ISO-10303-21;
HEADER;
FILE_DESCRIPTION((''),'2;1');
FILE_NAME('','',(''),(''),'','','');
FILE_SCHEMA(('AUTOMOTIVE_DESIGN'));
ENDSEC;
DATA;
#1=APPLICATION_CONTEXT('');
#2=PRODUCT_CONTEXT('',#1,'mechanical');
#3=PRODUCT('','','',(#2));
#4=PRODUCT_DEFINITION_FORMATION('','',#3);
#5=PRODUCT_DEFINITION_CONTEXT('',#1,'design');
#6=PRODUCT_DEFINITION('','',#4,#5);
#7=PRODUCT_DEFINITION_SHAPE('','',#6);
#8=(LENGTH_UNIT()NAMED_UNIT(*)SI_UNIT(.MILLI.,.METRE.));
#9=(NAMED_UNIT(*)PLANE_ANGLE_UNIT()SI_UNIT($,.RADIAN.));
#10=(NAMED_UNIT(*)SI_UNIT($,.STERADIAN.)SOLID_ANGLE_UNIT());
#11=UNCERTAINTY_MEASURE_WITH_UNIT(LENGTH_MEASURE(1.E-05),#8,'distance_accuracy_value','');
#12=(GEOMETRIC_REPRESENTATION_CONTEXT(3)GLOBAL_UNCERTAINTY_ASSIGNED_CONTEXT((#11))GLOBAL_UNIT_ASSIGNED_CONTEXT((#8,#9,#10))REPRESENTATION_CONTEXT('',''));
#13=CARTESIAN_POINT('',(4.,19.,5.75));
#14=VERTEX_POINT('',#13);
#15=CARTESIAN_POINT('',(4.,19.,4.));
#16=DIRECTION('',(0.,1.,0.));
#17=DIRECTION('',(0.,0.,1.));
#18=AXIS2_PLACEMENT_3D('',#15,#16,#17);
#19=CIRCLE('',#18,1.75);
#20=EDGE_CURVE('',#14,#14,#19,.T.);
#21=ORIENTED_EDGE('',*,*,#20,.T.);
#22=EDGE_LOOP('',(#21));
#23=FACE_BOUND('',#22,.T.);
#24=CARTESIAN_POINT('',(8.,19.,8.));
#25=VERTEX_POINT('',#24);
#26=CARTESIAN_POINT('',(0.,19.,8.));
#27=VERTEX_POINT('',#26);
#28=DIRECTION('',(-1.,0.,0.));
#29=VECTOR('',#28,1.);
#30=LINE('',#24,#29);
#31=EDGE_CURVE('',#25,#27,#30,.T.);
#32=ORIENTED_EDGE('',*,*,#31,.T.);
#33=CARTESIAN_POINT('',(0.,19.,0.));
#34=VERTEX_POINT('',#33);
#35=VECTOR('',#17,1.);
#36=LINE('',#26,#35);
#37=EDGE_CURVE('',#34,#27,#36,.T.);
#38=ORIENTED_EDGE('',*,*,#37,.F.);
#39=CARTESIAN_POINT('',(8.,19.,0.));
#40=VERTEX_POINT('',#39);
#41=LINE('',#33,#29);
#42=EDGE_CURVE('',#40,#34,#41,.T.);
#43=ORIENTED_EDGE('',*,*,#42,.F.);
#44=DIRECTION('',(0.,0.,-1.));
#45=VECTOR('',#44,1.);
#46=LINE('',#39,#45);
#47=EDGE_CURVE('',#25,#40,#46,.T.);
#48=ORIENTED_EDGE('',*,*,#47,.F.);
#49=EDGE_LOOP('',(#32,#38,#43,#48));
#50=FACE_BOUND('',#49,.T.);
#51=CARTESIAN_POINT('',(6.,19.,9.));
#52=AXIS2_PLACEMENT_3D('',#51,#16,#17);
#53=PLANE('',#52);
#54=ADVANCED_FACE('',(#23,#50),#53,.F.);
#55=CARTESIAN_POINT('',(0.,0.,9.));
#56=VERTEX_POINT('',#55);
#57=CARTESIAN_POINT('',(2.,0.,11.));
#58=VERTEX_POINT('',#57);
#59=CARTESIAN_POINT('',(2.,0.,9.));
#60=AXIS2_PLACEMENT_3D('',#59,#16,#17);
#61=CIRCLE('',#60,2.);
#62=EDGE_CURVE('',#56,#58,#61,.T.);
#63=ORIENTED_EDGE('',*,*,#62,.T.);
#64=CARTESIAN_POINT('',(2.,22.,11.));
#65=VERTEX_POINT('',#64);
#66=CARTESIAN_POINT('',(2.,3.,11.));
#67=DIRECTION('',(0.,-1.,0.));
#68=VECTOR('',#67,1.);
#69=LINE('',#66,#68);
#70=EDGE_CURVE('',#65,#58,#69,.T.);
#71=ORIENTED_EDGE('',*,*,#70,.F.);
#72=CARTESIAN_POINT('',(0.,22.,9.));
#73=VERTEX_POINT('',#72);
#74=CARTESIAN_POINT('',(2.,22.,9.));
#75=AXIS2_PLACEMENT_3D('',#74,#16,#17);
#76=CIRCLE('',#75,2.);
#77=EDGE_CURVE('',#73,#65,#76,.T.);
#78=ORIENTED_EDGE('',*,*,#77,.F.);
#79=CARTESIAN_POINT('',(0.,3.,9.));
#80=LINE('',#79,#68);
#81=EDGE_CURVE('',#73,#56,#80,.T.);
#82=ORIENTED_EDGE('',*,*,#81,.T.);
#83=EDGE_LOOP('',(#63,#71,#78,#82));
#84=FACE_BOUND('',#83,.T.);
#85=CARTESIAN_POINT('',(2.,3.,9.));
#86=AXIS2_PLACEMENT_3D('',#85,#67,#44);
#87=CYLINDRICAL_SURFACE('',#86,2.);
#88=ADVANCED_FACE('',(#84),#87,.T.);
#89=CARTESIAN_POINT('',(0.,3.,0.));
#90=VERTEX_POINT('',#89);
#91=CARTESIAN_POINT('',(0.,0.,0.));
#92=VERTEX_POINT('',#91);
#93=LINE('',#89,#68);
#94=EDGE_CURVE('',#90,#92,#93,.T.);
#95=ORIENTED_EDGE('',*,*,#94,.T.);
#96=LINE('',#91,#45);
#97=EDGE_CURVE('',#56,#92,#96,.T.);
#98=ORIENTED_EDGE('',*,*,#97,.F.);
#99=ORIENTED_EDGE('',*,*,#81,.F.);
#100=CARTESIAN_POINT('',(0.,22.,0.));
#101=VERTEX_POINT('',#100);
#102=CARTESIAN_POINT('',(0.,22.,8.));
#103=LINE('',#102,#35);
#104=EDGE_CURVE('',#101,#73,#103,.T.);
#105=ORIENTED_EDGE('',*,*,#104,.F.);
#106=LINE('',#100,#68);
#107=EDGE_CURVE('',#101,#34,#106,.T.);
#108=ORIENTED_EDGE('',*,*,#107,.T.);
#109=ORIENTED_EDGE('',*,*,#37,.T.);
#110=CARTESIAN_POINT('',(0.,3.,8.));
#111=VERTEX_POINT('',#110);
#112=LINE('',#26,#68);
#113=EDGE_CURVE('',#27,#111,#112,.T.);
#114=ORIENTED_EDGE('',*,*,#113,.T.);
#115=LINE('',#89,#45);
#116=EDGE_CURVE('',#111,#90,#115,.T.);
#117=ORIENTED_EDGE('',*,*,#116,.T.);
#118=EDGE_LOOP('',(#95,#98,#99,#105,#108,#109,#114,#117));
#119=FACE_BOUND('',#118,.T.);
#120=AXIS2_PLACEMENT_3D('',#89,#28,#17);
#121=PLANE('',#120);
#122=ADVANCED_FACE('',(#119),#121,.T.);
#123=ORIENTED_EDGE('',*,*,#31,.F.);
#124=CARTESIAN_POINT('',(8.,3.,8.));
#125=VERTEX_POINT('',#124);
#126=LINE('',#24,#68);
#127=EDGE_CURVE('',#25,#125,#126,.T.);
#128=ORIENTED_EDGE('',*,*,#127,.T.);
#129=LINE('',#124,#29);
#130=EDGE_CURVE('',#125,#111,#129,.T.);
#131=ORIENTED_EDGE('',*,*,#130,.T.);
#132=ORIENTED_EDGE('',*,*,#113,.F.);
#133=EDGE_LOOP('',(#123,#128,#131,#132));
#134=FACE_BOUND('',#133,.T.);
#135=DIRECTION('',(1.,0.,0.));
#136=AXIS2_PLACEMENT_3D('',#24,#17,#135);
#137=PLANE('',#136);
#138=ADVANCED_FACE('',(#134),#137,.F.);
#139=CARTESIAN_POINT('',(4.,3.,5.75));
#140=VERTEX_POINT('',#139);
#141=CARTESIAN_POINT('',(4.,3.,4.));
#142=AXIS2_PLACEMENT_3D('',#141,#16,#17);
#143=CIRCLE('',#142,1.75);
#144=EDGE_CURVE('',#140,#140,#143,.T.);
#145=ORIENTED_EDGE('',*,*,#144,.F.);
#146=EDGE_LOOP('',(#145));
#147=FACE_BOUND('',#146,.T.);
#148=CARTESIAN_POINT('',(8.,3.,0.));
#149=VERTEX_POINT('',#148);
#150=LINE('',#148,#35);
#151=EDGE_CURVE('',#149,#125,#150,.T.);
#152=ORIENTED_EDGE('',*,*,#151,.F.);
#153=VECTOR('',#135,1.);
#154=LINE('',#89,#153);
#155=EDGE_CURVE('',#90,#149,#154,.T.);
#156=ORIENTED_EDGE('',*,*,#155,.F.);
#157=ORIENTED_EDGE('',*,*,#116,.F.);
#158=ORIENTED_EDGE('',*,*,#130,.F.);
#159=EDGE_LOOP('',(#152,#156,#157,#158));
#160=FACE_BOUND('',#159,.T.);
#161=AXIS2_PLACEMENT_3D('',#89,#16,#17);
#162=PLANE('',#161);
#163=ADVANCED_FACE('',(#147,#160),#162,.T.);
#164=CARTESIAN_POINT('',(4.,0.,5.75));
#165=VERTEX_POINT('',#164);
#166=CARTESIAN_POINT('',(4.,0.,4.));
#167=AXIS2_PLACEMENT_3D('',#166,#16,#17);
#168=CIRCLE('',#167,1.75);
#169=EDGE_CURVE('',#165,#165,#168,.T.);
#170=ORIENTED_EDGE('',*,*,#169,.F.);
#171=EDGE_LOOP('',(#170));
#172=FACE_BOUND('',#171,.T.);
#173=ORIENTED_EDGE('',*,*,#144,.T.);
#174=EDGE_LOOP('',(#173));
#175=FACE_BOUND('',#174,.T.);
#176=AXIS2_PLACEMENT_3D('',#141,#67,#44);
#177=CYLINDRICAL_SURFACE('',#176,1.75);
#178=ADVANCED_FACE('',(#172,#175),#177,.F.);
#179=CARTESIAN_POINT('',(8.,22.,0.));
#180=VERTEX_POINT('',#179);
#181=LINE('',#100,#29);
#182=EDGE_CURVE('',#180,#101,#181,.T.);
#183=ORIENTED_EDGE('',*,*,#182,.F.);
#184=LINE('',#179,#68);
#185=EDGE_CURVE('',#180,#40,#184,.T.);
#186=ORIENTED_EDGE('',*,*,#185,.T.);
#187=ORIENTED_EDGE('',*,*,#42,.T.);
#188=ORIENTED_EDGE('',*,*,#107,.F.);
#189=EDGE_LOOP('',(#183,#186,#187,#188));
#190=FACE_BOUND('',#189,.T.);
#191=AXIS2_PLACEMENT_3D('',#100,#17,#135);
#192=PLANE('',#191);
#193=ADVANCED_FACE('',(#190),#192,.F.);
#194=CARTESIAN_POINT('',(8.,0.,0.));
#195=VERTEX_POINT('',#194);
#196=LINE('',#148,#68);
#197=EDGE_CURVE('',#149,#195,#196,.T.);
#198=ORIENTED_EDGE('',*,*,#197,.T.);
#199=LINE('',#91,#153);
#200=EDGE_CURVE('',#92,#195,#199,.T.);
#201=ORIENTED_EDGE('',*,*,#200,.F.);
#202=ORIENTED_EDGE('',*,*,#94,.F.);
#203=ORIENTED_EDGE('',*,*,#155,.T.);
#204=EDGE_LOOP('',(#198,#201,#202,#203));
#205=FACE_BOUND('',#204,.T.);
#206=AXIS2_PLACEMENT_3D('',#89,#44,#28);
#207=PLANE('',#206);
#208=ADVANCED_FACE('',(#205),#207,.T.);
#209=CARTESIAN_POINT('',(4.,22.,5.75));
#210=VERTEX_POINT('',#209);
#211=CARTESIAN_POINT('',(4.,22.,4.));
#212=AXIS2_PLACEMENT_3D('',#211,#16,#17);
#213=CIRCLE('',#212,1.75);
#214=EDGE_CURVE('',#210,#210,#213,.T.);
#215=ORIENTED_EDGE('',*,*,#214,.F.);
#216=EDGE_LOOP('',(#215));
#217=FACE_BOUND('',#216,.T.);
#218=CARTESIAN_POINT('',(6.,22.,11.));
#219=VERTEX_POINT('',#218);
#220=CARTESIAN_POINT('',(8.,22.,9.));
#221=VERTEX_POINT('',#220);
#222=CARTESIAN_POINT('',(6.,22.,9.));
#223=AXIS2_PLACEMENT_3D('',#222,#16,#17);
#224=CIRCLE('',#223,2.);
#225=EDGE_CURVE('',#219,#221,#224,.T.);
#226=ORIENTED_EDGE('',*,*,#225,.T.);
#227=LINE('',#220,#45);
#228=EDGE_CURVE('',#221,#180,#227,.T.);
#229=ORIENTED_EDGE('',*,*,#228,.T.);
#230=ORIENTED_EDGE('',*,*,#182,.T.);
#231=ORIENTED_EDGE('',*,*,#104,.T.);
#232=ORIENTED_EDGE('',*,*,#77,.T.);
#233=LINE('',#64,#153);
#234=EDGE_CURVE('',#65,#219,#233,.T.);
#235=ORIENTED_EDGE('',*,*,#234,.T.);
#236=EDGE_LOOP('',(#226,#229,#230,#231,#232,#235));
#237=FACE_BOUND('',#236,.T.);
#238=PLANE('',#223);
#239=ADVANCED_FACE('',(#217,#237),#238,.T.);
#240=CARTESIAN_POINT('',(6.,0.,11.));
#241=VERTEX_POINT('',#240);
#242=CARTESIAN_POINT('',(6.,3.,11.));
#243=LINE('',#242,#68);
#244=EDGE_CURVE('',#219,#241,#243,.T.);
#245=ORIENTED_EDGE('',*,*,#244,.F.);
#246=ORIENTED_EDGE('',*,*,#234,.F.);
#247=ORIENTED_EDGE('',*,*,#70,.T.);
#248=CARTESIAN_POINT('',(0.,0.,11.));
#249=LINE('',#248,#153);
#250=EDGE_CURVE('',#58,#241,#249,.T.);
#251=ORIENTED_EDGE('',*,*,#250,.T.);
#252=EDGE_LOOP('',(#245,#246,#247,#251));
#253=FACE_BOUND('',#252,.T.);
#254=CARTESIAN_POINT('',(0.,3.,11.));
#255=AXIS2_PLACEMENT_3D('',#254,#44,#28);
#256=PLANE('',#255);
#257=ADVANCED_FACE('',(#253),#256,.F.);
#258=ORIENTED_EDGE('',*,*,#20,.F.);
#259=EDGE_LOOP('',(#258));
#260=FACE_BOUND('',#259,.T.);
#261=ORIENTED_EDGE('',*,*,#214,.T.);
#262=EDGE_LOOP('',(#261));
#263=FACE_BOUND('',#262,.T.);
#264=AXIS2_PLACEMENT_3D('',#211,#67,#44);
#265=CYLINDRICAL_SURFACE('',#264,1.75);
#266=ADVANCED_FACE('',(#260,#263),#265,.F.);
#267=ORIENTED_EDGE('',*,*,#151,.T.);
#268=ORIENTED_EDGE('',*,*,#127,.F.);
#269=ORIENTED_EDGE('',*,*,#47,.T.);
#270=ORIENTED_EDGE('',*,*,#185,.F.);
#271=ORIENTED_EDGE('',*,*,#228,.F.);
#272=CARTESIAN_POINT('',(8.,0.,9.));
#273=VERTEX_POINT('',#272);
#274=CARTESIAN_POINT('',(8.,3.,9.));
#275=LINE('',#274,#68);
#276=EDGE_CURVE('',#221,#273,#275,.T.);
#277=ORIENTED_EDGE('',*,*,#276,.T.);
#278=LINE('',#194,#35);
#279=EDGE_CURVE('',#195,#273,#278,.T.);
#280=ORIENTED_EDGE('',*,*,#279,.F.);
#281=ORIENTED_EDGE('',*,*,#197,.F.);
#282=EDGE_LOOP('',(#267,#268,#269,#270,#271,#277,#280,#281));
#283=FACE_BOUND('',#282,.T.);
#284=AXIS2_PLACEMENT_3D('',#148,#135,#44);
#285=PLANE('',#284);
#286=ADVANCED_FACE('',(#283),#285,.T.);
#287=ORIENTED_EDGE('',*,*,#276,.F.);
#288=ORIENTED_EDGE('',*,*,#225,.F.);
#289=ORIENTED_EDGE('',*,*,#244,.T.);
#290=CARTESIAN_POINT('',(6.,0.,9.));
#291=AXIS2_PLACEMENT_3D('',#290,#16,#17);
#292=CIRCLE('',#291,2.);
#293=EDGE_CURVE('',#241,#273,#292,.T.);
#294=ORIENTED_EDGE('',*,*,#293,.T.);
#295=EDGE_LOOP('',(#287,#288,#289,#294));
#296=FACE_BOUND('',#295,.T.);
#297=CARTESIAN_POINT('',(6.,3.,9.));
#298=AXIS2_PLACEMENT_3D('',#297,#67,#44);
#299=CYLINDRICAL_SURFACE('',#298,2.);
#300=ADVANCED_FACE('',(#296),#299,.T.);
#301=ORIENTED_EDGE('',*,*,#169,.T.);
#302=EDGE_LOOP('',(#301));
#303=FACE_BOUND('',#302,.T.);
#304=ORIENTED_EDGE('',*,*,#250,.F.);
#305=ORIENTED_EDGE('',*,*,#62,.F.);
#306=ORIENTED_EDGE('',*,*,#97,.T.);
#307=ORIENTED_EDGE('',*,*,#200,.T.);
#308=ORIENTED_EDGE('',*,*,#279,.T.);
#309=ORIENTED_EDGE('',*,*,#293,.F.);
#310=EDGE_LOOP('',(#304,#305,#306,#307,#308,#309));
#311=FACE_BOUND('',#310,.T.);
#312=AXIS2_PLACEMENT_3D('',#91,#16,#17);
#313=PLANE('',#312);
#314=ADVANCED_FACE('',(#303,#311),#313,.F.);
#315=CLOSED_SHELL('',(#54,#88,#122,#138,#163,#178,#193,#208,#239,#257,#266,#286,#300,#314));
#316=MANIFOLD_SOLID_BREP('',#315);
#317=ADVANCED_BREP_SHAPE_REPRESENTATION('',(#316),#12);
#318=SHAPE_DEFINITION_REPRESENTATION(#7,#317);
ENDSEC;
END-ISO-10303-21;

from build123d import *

# Parameters (mm, degrees)
SKETCH_1_W      = 8
SKETCH_1_H      = 8
SKETCH_1_R      = 1.75
EXTRUDE_1_DEPTH = 3
EXTRUDE_2_DEPTH = 16
SKETCH_3_R      = 1.75
EXTRUDE_3_DEPTH = 3


with BuildPart() as part:
    # 草图1 → 凸台-拉伸1 (new body)
    with BuildSketch(Plane(origin=(0, 0, 0), x_dir=(1, 0, 0), z_dir=(0, 1, 0))):
        with Locations((4, -4)):
            Rectangle(SKETCH_1_W, SKETCH_1_H)
        with Locations((4, -4)):
            Circle(SKETCH_1_R, mode=Mode.SUBTRACT)
        with BuildLine():
            Line((8, -8), (0, -8))
            Line((0, -8), (0, -9))
            ThreePointArc((0, -9), (0.585786438, -10.414213562), (2, -11))
            Line((2, -11), (6, -11))
            ThreePointArc((6, -11), (7.414213562, -10.414213562), (8, -9))
            Line((8, -9), (8, -8))
        make_face()
    extrude(amount=EXTRUDE_1_DEPTH)

    # 草图2 → 凸台-拉伸2 (add)
    with BuildSketch(Plane(origin=(0, 3, 0), x_dir=(1, 0, 0), z_dir=(0, 1, 0))):
        with BuildLine():
            Line((8, -8), (0, -8))
            Line((0, -8), (0, -9))
            ThreePointArc((0, -9), (0.585786438, -10.414213562), (2, -11))
            Line((2, -11), (6, -11))
            ThreePointArc((6, -11), (7.414213562, -10.414213562), (8, -9))
            Line((8, -9), (8, -8))
        make_face()
    extrude(amount=EXTRUDE_2_DEPTH)

    # 草图3 → 凸台-拉伸3 (add)
    with BuildSketch(Plane(origin=(0, 19, 0), x_dir=(1, 0, 0), z_dir=(0, 1, 0))):
        with BuildLine():
            Line((8, -9), (8, -8))
            Line((8, -8), (8, 0))
            Line((8, 0), (0, 0))
            Line((0, 0), (0, -8))
            Line((0, -8), (0, -9))
            ThreePointArc((0, -9), (0.585786438, -10.414213562), (2, -11))
            Line((2, -11), (6, -11))
            ThreePointArc((6, -11), (7.414213562, -10.414213562), (8, -9))
        make_face()
        with Locations((4, -4)):
            Circle(SKETCH_3_R, mode=Mode.SUBTRACT)
    extrude(amount=EXTRUDE_3_DEPTH)


solid = part.part
